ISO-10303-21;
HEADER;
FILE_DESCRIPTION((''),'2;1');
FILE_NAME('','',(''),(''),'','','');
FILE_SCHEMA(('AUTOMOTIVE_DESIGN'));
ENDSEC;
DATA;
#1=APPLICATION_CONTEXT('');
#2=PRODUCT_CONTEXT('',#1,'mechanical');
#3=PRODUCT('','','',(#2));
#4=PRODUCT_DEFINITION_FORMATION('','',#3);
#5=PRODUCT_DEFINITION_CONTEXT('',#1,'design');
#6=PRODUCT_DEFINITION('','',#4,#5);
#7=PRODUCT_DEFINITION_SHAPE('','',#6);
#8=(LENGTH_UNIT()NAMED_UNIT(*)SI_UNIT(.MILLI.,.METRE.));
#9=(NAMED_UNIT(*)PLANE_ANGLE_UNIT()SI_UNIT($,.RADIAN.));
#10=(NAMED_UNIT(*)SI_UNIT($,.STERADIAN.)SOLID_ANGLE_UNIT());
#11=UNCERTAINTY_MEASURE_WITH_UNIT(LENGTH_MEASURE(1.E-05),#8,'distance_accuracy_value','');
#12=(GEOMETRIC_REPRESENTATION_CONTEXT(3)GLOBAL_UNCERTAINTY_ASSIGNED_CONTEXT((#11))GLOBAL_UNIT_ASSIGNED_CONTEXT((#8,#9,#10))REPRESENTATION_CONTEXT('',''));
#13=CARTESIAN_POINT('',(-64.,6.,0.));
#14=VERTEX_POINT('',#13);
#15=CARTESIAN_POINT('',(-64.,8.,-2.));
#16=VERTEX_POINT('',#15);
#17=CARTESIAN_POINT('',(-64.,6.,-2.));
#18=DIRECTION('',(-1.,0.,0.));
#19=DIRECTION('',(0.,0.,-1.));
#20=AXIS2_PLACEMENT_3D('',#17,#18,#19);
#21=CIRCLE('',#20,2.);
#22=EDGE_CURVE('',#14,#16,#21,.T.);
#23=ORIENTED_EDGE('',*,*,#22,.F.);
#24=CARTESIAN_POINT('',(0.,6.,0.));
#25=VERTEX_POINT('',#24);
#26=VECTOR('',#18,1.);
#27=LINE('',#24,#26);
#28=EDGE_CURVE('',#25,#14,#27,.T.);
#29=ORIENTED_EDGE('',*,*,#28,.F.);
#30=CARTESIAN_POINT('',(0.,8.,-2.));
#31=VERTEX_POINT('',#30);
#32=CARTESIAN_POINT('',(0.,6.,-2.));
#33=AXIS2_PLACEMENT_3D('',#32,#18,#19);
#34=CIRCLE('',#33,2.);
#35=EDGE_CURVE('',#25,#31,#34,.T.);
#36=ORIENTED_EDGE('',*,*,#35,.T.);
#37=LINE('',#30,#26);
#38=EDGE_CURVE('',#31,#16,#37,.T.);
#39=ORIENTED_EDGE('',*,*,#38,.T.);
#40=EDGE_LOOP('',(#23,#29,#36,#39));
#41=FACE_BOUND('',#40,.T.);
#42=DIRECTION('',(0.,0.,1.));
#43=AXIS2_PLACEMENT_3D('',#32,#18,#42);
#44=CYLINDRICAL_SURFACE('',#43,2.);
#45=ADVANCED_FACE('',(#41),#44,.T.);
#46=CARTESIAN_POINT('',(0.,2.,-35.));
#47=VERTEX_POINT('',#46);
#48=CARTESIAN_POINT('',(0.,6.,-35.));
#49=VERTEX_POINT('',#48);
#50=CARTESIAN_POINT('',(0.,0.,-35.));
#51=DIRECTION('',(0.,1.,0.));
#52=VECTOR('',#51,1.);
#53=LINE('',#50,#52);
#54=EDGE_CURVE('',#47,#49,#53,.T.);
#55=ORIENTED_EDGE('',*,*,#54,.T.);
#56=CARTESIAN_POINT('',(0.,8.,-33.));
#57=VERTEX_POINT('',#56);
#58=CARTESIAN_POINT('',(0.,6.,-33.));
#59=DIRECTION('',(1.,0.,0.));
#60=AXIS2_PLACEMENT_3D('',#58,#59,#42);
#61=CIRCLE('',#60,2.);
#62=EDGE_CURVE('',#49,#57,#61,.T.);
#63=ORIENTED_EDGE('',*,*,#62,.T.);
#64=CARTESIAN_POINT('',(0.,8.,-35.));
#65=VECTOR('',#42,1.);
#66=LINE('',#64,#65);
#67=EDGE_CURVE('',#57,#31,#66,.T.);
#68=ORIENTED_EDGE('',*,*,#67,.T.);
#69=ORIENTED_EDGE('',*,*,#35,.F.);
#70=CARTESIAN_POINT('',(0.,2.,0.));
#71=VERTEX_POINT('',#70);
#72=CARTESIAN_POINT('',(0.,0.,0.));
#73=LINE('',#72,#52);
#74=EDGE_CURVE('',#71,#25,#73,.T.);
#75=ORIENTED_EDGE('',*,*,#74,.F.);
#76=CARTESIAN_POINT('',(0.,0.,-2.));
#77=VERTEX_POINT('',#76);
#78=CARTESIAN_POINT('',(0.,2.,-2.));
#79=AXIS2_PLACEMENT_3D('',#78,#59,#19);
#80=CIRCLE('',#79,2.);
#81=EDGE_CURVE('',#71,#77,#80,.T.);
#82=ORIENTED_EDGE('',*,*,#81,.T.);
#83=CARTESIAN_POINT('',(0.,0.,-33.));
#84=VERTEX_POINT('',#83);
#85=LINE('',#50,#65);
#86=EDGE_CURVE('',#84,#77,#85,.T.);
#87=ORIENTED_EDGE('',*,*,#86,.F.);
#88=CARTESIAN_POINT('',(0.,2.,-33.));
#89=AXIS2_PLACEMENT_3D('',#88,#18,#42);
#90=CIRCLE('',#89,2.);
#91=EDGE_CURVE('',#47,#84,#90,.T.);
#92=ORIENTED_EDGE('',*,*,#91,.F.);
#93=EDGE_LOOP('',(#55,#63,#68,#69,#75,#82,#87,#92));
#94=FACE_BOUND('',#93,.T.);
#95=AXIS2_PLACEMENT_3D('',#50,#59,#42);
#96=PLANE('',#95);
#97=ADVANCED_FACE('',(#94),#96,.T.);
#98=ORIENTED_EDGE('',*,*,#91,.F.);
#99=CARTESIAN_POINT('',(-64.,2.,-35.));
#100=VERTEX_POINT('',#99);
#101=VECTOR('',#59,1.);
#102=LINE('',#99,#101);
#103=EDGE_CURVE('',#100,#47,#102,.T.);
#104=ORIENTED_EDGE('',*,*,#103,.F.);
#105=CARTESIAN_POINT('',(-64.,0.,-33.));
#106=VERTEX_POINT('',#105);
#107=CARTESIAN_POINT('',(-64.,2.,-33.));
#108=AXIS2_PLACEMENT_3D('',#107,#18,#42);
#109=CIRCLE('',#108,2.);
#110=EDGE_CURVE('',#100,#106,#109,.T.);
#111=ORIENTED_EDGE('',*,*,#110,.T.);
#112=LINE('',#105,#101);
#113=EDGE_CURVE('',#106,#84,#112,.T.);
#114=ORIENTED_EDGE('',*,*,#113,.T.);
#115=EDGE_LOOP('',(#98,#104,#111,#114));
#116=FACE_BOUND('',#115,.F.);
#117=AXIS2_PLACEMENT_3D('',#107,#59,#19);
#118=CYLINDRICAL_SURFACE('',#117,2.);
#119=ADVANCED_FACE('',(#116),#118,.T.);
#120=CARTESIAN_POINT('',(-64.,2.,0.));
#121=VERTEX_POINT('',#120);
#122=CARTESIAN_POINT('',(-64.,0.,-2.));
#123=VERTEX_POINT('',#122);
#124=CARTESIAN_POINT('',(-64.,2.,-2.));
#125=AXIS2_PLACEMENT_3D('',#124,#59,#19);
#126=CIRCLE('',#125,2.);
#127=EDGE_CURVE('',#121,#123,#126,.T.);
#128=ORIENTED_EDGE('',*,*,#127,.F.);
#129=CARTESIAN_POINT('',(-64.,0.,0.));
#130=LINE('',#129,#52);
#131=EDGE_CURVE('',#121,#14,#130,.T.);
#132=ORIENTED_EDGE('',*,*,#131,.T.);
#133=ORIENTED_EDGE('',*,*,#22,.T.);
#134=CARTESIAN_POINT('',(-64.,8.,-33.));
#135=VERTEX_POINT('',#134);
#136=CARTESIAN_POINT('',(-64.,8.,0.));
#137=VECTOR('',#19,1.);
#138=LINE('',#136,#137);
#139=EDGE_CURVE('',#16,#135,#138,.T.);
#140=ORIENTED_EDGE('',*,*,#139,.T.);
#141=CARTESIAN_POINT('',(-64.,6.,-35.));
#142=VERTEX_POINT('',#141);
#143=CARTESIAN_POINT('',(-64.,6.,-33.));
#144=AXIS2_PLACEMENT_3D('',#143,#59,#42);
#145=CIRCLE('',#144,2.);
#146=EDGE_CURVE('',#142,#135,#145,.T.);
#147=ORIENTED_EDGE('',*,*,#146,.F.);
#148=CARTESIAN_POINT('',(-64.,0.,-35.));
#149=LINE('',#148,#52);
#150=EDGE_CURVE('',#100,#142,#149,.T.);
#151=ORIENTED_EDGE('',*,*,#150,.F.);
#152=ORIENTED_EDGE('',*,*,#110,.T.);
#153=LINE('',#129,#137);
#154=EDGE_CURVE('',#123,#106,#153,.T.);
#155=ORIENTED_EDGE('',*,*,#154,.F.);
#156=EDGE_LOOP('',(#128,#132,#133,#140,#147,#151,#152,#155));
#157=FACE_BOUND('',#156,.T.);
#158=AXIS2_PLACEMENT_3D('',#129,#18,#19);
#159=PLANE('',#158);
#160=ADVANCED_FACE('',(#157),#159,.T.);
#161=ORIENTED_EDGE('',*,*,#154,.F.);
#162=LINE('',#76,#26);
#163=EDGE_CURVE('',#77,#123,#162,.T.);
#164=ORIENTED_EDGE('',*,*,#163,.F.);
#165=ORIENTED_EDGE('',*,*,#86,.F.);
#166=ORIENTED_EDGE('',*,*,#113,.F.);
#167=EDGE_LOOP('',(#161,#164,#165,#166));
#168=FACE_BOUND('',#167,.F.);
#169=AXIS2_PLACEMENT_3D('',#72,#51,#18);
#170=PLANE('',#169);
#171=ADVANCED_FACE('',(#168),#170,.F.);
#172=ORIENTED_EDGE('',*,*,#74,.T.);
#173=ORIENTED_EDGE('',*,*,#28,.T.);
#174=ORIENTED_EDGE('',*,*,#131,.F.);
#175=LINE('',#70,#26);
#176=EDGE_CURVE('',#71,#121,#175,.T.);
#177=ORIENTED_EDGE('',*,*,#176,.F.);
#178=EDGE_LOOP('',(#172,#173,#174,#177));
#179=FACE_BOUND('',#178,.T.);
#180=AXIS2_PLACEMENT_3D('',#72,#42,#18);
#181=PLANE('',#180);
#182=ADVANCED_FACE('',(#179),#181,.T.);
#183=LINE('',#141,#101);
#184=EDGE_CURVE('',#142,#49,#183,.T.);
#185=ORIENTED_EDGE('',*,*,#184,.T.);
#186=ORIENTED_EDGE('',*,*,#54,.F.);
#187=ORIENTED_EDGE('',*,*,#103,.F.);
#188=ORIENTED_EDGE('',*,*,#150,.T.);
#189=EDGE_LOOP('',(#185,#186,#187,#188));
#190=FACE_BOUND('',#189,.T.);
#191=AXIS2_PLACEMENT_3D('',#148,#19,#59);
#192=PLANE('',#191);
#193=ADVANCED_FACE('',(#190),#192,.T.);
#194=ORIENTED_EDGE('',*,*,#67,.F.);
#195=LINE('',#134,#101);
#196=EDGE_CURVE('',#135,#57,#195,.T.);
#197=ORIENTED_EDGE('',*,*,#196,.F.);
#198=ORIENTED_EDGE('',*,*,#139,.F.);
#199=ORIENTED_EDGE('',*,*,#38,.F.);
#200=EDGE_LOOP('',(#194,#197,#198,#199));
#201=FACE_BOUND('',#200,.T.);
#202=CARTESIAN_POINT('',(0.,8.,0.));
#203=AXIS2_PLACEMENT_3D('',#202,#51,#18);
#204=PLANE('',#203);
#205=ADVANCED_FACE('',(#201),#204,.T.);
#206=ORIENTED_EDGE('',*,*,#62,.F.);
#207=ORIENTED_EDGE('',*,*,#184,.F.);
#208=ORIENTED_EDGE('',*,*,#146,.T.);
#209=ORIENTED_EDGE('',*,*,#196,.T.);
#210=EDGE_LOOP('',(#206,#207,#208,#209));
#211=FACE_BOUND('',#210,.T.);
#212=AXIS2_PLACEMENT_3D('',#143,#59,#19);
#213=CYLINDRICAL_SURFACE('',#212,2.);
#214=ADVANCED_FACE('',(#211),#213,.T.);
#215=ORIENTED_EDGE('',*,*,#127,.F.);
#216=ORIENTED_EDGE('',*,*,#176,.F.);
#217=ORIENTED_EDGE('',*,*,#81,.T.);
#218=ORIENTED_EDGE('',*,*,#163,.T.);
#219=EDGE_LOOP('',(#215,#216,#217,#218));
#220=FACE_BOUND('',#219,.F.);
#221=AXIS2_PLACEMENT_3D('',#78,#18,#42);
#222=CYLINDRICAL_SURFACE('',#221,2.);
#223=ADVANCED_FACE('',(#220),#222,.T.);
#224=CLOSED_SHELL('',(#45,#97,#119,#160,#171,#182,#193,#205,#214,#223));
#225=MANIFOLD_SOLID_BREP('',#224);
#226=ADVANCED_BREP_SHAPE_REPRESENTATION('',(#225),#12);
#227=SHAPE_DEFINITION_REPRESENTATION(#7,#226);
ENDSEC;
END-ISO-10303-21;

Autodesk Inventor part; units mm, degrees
ref_plane "YZ Plane" through (0, 0, 0) normal (1, 0, 0) x (0, 1, 0)
ref_plane "XZ Plane" through (0, 0, 0) normal (0, 1, 0) x (-1, 0, 0)
ref_plane "XY Plane" through (0, 0, 0) normal (0, 0, 1) x (1, 0, 0)
sketch "Szkic1" plane through (0, 0, 0) normal (0, 1, 0) x (-1, 0, 0)
  line L0 (0, 0) -> (64, 0)
  line L1 (64, 0) -> (64, -35)
  line L2 (64, -35) -> (0, -35)
  line L3 (0, -35) -> (0, 0)
  dimension "d0" = 64
  dimension "d1" = 35
extrude "Wyciągnięcie proste1" add sketch "Szkic1" along normal blind 8
fillet "Zaokrąglenie1" radius 2 4 edges at (-32, 8, 0) (-32, 0, 0) (-32, 8, -35) (-32, 0, -35)
properties part number "bateria szczurza"
